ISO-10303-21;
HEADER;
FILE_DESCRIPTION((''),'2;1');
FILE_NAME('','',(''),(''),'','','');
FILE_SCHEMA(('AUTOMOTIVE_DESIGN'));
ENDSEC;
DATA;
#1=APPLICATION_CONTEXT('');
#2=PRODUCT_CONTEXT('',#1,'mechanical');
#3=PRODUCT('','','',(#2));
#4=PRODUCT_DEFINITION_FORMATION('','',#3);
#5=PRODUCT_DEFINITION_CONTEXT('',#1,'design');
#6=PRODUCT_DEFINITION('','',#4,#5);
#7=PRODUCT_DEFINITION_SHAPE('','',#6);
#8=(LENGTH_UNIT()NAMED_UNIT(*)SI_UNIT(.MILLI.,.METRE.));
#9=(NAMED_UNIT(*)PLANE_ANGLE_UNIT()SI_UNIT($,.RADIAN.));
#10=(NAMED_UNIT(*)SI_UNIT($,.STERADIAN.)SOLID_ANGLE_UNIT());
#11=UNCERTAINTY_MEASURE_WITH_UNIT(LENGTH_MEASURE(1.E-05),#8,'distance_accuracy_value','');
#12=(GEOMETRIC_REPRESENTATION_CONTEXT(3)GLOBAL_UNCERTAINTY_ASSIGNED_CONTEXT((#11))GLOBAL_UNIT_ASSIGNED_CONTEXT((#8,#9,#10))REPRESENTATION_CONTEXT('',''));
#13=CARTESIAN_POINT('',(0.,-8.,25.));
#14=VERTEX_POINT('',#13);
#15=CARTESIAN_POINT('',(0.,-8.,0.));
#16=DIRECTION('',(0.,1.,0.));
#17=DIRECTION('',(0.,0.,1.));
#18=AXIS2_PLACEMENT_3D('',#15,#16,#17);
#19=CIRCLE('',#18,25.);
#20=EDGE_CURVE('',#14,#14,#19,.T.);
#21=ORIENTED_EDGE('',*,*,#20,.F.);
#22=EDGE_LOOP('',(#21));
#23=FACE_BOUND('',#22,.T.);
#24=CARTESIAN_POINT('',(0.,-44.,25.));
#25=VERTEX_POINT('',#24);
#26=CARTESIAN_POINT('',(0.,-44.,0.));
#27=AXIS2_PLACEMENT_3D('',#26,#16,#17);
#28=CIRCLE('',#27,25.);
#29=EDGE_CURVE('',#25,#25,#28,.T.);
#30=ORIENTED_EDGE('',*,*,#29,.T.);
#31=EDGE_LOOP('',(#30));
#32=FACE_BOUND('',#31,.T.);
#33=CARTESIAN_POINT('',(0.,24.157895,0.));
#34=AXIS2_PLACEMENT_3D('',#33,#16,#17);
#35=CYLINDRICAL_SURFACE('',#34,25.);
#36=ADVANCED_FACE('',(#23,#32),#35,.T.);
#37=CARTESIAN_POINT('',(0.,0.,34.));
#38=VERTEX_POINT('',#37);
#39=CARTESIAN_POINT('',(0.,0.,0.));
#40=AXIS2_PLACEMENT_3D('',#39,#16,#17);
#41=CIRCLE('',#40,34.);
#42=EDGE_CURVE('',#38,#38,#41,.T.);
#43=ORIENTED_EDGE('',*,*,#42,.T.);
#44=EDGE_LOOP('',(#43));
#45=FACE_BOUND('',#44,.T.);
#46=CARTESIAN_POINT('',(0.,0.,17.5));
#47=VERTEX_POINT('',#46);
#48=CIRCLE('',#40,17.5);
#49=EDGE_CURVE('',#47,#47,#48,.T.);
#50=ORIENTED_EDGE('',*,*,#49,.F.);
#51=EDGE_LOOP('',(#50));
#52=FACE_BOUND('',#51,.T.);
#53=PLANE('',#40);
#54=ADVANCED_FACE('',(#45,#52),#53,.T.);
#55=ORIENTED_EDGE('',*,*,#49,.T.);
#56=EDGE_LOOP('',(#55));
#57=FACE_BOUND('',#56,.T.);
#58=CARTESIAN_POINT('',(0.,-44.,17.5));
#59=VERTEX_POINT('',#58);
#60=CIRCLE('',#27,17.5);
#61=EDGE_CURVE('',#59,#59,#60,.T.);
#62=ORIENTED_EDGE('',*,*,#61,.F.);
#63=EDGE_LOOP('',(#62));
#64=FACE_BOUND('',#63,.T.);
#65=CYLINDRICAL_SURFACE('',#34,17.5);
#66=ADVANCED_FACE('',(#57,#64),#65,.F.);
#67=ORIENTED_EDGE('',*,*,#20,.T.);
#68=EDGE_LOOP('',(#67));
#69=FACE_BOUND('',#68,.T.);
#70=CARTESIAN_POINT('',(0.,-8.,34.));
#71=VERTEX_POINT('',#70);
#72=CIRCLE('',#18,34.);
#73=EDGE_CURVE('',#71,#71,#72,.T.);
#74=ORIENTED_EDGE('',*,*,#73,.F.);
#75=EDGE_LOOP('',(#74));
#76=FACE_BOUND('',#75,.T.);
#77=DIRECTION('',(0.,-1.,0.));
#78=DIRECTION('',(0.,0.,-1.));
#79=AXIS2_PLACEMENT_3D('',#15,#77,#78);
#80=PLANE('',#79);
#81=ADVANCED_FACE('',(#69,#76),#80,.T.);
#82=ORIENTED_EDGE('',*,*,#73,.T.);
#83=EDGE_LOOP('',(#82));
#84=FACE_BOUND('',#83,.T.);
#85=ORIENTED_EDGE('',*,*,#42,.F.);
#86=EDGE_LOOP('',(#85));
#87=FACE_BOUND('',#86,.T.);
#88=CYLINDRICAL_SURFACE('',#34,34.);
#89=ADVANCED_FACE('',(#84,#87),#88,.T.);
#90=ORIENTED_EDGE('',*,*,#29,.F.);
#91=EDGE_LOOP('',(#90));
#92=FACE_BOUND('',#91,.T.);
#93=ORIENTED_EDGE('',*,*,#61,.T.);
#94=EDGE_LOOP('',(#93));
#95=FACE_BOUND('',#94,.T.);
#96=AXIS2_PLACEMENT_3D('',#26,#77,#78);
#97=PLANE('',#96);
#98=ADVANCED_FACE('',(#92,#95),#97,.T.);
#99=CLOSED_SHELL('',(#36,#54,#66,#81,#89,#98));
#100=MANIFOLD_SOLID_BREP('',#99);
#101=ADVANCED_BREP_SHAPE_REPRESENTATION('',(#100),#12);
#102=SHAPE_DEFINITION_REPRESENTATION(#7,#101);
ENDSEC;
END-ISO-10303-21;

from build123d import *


with BuildPart() as part:
    # Sketch1 → Revolve1 (revolve)
    with BuildSketch(Plane.XY, mode=Mode.PRIVATE) as revolve1_sk:
        Polygon((34, 0), (17.5, 0), (17.5, -44), (25, -44), (25, -8), (34, -8), align=None)
    revolve(revolve1_sk.sketch.rotate(Axis((0, 24.157894737, 0), (0, -1, 0)), 90), axis=Axis((0, 24.157894737, 0), (0, -1, 0)))


solid = part.part
